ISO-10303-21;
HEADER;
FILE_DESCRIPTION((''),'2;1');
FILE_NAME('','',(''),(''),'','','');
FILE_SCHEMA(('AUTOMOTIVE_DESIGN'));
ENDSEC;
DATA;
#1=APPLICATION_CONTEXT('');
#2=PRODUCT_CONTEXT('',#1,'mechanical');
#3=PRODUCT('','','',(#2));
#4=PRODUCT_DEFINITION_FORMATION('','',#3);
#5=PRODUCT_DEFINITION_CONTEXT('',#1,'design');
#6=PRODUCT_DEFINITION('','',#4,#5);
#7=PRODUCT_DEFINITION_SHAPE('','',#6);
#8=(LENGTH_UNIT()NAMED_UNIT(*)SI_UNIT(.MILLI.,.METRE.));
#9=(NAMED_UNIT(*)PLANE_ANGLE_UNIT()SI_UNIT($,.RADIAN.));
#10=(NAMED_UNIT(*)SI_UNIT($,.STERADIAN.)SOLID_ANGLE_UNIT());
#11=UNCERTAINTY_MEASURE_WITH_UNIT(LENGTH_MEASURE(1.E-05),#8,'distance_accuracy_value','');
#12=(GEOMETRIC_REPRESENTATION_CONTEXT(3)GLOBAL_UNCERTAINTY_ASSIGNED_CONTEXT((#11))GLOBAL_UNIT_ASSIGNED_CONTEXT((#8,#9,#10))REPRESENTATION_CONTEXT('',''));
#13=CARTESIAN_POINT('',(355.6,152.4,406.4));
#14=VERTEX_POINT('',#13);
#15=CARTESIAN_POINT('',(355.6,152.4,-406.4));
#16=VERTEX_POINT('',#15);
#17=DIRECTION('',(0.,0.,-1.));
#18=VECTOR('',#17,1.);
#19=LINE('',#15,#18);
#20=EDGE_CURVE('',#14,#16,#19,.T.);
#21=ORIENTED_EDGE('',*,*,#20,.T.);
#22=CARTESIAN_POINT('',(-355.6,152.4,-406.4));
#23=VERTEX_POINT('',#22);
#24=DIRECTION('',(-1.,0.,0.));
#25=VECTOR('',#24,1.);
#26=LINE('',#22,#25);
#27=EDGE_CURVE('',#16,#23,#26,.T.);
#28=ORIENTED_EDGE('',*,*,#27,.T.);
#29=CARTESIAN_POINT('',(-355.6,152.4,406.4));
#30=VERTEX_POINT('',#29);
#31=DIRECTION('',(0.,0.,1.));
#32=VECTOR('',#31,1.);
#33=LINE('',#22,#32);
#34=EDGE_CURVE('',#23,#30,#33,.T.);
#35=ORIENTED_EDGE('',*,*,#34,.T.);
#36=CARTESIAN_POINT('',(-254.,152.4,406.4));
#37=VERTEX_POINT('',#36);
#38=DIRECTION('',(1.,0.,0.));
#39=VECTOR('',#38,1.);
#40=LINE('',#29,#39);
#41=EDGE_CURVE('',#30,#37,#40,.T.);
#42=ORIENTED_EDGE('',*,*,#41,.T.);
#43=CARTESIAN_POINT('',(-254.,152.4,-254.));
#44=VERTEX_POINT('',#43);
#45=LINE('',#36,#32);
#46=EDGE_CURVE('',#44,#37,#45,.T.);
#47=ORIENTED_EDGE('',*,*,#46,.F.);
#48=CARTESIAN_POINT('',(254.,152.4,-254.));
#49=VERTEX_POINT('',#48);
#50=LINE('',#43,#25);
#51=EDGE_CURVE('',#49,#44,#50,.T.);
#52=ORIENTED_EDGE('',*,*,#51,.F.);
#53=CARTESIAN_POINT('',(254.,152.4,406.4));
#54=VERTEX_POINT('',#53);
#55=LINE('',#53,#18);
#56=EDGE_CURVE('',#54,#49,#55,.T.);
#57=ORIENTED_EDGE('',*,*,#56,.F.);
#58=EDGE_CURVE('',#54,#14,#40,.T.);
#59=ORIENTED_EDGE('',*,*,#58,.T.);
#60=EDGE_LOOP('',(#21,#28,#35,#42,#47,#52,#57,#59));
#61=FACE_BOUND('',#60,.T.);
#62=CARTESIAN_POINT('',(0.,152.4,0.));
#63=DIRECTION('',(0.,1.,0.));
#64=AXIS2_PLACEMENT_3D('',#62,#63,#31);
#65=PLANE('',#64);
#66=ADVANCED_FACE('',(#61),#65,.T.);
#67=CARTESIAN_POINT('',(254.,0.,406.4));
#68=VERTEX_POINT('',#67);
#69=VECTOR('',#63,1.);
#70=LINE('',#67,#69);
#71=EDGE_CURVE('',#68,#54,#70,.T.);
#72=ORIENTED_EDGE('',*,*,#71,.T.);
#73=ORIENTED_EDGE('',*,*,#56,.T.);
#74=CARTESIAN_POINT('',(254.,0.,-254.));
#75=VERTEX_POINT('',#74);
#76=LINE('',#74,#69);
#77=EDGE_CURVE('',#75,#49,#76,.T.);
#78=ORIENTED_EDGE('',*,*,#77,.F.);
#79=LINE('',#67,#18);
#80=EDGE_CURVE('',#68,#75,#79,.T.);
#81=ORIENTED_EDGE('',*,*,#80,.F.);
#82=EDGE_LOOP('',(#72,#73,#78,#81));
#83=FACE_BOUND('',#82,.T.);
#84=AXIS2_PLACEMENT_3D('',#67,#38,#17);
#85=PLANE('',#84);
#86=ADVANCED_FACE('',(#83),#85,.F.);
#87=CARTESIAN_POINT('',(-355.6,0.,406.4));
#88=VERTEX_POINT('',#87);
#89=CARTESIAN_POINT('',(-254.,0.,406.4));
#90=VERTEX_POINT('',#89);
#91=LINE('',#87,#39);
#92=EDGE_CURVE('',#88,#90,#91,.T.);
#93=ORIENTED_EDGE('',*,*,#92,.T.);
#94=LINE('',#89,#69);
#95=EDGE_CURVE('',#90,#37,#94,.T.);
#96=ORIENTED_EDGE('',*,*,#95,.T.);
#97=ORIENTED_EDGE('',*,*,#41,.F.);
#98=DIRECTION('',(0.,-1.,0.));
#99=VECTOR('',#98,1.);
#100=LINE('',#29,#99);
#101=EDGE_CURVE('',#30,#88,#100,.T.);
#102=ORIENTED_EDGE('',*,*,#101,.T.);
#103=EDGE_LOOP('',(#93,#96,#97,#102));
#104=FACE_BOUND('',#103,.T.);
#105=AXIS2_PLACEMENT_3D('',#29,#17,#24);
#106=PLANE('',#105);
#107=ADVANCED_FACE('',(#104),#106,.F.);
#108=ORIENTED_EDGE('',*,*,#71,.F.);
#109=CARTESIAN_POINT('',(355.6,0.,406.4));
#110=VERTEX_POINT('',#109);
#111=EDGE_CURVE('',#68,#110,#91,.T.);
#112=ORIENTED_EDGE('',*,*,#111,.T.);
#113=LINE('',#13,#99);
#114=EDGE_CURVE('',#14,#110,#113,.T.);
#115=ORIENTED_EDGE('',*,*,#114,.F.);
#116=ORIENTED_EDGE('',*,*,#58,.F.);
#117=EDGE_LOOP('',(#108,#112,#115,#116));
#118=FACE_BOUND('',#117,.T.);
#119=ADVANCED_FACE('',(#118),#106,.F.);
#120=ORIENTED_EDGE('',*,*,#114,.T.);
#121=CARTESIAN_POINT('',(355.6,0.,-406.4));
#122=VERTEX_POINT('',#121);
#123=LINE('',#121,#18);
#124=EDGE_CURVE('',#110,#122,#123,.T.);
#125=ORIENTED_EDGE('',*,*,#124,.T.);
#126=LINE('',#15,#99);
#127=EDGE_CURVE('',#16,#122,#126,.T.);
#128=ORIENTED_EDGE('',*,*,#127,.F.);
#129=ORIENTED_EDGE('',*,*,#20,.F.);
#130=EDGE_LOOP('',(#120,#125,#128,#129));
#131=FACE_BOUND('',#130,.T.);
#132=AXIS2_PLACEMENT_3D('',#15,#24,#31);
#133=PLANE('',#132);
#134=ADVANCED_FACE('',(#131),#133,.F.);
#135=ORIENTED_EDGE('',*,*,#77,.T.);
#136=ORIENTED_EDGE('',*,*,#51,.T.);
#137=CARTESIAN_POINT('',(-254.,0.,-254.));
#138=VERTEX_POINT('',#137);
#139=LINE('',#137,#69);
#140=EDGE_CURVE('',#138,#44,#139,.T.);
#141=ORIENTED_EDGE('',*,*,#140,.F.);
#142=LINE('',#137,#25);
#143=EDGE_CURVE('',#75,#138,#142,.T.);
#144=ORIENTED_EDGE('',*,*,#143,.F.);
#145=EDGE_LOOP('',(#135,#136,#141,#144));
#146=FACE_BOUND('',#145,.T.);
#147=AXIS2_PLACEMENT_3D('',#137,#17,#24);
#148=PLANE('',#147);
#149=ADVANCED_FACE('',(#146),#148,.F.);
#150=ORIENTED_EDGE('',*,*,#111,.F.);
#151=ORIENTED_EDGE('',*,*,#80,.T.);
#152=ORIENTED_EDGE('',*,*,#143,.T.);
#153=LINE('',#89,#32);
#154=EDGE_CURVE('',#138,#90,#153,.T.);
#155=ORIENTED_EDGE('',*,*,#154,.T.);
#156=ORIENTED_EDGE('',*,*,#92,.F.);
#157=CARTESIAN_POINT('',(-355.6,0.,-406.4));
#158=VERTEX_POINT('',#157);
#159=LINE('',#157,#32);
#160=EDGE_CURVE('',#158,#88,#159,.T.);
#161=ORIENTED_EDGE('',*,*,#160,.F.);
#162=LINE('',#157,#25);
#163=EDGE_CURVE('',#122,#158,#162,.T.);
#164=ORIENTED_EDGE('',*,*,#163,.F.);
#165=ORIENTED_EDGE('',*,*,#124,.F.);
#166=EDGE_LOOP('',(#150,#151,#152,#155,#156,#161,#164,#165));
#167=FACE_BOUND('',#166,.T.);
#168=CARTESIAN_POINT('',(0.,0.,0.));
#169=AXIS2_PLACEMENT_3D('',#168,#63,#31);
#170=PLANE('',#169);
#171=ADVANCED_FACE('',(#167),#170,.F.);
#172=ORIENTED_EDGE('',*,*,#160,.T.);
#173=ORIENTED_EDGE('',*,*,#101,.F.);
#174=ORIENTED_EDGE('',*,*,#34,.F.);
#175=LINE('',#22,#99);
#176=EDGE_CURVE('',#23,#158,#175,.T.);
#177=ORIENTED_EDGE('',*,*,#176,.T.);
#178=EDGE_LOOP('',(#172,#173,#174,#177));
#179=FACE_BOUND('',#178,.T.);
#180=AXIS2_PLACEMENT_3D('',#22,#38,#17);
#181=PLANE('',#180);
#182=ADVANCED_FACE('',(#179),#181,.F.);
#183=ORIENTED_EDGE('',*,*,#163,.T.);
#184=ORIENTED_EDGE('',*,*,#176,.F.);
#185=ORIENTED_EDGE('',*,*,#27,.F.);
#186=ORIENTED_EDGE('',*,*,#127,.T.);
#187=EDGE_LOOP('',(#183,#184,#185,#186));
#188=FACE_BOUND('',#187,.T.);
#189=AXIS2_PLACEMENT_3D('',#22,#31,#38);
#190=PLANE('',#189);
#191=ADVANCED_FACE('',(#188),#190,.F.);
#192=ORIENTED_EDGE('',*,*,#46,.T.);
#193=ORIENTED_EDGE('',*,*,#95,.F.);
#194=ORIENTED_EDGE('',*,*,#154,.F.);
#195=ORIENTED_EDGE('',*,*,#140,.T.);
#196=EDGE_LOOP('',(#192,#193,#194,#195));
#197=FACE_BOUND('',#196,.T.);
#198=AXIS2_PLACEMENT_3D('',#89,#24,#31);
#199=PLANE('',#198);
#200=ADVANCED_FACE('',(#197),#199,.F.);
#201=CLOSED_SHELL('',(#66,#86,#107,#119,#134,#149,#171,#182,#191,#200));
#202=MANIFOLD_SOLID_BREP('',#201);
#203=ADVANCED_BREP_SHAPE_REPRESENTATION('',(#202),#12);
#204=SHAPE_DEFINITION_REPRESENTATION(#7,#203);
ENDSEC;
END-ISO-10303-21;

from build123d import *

# Parameters (mm, degrees)
SKETCH1_W           = 711.2
SKETCH1_H           = 812.8
BOSS_EXTRUDE1_DEPTH = 152.4
SKETCH3_W           = 508
SKETCH3_H           = 660.4
CUT_EXTRUDE2_DEPTH  = 562.104339673


with BuildPart() as part:
    # Sketch1 → Boss-Extrude1 (new body)
    with BuildSketch(Plane(origin=(0, 0, 0), x_dir=(1, 0, 0), z_dir=(0, 1, 0))):
        Rectangle(SKETCH1_W, SKETCH1_H)
    extrude(amount=BOSS_EXTRUDE1_DEPTH)

    # Sketch3 → Cut-Extrude2 (cut, through all)
    with BuildSketch(Plane(origin=(0, 152.4, 0), x_dir=(1, 0, 0), z_dir=(0, 1, 0))):
        with Locations((0, -76.2)):
            Rectangle(SKETCH3_W, SKETCH3_H)
    extrude(amount=-CUT_EXTRUDE2_DEPTH, mode=Mode.SUBTRACT)


solid = part.part
